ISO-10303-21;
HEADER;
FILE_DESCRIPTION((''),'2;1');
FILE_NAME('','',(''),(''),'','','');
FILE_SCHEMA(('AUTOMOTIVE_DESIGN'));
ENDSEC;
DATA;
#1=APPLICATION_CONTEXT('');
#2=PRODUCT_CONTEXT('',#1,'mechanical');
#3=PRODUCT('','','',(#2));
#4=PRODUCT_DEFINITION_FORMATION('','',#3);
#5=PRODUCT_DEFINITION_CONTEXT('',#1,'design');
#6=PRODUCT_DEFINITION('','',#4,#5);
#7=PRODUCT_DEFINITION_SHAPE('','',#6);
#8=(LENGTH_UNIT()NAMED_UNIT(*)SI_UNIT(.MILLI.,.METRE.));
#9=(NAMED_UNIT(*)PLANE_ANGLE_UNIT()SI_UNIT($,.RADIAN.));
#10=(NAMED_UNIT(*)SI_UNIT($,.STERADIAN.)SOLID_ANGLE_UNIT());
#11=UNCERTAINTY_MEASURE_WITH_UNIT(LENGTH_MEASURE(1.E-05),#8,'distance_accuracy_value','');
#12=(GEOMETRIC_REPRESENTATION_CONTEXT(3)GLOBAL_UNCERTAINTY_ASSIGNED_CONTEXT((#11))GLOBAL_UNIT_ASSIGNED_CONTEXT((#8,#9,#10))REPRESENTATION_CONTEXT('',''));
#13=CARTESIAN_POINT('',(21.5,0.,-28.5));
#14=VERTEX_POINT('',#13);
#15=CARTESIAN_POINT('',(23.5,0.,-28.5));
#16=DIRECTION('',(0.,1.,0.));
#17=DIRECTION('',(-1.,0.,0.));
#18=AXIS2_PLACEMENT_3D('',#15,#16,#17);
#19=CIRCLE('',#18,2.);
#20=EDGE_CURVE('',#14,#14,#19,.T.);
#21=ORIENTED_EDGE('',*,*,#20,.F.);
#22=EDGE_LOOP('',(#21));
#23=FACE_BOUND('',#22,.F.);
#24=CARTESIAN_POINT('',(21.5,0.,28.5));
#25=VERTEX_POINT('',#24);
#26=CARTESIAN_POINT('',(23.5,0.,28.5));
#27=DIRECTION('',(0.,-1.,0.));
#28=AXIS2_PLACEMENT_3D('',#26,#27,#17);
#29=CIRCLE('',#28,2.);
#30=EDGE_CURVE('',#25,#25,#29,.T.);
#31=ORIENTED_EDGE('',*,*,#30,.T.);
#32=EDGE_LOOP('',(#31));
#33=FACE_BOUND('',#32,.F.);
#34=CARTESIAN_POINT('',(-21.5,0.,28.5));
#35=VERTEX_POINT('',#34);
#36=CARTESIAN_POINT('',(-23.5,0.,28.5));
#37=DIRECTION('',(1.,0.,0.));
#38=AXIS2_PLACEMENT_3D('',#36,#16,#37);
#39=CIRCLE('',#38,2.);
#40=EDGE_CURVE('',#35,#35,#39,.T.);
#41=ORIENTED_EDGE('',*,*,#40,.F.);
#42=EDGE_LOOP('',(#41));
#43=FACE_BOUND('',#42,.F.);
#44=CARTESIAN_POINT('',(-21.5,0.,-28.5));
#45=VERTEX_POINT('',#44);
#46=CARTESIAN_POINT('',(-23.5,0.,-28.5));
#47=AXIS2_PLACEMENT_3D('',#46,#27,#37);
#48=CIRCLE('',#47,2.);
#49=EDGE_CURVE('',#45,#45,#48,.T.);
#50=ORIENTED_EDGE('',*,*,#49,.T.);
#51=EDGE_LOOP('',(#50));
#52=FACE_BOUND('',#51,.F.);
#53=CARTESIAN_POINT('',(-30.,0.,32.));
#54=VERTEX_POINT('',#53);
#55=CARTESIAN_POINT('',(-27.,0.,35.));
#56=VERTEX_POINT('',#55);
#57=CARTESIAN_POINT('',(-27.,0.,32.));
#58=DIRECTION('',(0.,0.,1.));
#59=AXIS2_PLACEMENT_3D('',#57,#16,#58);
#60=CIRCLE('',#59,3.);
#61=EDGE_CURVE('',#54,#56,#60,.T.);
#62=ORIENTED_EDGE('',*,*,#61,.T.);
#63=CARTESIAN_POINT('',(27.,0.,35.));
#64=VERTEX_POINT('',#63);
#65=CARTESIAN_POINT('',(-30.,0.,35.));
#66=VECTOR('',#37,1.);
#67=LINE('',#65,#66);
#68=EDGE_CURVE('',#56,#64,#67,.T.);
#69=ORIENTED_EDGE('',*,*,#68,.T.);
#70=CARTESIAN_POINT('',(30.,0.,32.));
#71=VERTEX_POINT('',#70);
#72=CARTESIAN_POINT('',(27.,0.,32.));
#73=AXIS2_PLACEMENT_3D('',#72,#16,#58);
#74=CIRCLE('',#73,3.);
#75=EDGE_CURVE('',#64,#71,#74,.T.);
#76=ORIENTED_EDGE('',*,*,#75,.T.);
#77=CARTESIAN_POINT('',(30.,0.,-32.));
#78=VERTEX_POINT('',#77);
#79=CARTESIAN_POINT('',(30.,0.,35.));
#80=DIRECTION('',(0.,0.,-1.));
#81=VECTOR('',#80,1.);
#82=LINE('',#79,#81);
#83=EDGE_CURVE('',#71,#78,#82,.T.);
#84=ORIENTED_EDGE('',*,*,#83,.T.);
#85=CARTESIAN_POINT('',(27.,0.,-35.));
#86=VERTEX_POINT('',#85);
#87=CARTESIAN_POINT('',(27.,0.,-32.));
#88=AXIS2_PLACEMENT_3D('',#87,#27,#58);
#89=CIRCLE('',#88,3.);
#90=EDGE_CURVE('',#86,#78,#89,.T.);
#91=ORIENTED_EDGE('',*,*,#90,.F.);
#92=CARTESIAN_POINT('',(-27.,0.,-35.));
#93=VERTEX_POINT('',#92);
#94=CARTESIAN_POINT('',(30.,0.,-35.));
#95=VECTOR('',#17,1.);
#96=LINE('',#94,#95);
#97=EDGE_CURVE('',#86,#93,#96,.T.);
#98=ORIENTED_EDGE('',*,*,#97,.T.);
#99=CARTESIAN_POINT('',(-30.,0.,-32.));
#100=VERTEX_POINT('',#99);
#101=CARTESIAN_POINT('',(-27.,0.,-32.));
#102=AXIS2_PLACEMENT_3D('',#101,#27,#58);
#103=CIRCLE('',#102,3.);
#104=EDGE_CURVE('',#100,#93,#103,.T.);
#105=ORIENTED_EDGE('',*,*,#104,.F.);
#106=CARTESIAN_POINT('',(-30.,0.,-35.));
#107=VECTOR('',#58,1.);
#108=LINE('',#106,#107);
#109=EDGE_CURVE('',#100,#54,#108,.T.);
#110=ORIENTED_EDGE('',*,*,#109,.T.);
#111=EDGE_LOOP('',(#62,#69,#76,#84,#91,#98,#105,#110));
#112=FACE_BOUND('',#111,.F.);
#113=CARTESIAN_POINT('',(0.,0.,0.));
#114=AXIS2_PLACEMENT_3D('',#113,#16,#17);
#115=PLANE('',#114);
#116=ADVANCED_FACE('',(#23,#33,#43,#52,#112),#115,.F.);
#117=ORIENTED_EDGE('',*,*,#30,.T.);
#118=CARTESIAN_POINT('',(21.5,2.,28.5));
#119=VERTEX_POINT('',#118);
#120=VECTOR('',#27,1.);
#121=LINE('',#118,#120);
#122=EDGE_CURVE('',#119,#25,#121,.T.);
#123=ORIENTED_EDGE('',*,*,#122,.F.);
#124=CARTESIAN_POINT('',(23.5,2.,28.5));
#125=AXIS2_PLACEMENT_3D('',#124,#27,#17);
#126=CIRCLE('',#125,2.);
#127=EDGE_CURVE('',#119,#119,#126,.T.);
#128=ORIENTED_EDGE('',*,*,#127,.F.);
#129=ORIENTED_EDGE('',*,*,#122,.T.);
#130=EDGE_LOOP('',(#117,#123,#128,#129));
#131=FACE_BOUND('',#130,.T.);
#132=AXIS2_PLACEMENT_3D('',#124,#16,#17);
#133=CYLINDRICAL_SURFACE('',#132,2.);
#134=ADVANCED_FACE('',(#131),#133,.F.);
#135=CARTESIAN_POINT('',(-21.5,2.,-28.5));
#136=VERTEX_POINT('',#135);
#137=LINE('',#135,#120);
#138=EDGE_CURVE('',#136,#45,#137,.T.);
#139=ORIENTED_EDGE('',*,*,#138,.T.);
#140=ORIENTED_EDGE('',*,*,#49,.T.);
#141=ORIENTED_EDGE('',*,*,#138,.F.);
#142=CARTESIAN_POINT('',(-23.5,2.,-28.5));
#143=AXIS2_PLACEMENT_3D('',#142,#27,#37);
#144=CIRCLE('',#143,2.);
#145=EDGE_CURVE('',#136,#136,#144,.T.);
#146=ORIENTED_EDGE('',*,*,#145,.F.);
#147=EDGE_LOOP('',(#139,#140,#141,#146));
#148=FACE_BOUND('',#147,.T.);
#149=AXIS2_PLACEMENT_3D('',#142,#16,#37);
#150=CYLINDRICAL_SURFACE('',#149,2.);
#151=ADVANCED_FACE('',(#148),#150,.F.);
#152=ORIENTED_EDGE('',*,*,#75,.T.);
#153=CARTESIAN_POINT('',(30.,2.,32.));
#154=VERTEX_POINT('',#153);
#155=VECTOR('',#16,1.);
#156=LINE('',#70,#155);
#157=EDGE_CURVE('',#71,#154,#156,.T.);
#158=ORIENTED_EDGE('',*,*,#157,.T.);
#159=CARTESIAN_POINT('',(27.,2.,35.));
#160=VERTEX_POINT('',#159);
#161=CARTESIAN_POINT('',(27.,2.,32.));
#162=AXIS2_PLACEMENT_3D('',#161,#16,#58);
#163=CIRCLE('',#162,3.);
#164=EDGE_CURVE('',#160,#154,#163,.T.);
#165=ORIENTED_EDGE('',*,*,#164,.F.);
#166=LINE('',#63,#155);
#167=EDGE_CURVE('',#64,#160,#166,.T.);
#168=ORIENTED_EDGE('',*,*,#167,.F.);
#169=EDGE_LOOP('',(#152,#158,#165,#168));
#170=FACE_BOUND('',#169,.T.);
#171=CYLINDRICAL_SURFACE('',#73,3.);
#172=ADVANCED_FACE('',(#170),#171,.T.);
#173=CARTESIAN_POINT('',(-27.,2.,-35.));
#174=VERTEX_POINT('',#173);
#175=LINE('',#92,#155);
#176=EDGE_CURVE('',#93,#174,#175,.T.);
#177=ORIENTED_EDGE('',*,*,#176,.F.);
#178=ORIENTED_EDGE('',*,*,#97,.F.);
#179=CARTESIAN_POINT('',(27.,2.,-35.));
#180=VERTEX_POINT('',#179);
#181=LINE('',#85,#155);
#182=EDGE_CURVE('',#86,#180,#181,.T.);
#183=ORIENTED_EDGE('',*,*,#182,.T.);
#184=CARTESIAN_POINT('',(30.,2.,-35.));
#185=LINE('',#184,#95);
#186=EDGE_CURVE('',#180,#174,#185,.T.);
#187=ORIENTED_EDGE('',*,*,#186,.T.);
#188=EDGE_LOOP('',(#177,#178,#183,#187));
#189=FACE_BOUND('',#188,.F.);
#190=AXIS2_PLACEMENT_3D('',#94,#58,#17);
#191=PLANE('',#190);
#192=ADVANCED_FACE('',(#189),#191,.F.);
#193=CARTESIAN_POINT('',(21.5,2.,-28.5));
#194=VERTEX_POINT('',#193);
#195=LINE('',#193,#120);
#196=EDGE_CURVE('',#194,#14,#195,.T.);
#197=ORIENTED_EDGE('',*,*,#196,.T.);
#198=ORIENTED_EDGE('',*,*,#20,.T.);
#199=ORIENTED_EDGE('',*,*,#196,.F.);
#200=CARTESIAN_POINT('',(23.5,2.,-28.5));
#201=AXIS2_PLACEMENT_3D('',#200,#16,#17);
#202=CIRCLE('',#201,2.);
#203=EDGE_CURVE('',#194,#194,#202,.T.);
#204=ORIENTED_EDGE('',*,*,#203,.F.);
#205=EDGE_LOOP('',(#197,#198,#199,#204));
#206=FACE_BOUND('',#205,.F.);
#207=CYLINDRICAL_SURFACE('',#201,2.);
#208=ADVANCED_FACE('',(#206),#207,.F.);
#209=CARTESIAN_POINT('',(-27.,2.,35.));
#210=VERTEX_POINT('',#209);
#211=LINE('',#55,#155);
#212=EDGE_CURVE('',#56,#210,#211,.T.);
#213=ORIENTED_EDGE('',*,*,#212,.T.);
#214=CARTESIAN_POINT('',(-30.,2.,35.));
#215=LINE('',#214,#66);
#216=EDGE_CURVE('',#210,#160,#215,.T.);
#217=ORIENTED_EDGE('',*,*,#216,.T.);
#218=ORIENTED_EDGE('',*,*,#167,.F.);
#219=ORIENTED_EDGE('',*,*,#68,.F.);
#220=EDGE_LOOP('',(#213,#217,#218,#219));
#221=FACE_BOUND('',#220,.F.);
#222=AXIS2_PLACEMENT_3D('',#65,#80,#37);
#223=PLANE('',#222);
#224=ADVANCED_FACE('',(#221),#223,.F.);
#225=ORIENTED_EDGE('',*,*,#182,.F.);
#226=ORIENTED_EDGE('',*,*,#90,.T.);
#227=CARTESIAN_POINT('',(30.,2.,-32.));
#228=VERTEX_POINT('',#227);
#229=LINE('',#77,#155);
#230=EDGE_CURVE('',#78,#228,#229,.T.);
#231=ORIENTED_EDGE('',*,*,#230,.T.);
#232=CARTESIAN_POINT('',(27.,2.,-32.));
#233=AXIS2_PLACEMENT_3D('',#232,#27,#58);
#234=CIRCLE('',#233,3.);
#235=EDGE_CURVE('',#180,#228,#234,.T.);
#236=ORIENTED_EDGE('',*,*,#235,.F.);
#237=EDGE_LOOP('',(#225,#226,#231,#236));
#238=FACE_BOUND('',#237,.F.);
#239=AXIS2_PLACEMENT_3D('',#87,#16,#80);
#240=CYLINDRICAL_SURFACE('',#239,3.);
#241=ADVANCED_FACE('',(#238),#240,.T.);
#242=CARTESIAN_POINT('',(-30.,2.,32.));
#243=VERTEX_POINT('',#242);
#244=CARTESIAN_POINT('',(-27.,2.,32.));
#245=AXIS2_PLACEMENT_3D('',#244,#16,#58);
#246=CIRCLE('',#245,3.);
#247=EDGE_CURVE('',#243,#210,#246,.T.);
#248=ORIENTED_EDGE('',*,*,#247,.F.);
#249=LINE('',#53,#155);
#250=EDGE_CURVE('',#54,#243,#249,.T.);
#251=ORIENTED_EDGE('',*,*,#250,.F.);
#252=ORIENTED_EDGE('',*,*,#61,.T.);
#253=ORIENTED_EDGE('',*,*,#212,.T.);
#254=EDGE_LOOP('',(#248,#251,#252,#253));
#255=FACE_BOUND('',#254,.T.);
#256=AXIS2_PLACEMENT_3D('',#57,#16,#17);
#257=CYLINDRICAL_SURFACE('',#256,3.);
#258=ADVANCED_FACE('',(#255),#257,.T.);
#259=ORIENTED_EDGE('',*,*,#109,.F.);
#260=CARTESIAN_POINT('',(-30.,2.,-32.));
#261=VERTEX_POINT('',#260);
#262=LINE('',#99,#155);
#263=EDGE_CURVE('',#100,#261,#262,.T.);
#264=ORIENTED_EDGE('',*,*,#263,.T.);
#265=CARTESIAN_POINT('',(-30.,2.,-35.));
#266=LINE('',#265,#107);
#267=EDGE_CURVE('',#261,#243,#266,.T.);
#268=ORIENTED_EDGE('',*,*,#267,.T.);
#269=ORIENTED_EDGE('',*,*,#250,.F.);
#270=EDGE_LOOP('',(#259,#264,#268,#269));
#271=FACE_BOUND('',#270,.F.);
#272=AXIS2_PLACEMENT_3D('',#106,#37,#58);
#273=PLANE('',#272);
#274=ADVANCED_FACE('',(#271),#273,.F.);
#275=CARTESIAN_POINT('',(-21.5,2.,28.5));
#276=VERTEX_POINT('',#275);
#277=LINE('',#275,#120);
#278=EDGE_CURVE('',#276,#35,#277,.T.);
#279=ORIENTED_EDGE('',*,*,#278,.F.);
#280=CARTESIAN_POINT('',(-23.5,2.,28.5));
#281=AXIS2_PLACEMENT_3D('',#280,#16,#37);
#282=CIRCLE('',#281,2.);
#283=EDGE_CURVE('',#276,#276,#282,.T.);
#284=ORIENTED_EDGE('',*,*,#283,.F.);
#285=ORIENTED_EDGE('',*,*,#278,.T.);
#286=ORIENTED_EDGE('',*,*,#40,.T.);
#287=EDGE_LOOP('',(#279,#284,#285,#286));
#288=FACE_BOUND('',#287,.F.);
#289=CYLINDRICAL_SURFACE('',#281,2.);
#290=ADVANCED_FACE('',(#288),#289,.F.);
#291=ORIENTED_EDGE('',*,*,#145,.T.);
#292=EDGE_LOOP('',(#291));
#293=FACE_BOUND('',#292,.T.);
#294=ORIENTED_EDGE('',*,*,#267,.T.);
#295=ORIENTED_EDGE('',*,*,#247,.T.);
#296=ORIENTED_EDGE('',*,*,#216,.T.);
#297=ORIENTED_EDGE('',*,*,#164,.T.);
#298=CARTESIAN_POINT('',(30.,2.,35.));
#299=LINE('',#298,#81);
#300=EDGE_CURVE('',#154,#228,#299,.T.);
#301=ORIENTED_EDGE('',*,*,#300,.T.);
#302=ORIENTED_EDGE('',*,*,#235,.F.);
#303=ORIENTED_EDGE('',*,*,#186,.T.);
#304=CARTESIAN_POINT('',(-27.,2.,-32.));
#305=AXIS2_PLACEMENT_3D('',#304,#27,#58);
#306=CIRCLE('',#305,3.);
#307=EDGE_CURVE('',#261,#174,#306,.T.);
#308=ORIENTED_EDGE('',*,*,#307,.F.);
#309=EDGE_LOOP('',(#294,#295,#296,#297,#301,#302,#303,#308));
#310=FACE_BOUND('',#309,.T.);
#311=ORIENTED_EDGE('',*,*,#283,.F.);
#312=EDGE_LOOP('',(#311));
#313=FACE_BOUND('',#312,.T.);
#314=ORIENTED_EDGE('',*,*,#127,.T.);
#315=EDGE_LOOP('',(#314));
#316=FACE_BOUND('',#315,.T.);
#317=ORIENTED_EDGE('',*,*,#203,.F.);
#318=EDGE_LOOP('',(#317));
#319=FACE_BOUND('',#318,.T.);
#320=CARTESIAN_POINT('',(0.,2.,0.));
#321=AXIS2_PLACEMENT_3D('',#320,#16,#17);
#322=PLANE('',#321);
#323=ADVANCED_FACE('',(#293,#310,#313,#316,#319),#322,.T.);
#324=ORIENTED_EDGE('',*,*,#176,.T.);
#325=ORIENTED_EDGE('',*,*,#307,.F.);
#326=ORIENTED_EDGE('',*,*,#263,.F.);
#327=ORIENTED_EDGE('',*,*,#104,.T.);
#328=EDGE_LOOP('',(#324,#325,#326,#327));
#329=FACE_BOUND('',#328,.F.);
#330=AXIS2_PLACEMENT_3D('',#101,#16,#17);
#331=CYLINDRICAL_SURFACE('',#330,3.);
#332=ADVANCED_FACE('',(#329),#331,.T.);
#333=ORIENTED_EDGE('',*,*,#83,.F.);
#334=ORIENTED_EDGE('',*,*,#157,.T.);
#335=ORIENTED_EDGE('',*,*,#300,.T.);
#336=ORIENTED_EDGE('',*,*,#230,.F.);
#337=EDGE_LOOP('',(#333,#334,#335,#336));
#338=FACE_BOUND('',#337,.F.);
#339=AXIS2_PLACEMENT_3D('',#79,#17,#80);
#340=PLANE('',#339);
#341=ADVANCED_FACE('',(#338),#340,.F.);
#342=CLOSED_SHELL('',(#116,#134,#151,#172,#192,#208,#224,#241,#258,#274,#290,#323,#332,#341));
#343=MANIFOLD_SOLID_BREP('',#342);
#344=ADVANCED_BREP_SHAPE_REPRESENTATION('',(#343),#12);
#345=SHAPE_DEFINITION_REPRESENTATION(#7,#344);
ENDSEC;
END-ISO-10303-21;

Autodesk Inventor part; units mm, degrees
ref_plane "YZ Plane" through (0, 0, 0) normal (1, 0, 0) x (0, 1, 0)
ref_plane "XZ Plane" through (0, 0, 0) normal (0, 1, 0) x (-1, 0, 0)
ref_plane "XY Plane" through (0, 0, 0) normal (0, 0, 1) x (1, 0, 0)
sketch "Sketch1" plane through (0, 0, 0) normal (0, 1, 0) x (-1, 0, 0)
  line L0 (30, 35) -> (-30, 35)
  line L1 (-30, 35) -> (-30, -35)
  line L2 (-30, -35) -> (30, -35)
  line L3 (30, -35) -> (30, 35)
  line L4 (30, 35) -> (-30, -35) construction
  line L5 (-30, 35) -> (30, -35) construction
  point P0 (0, 0)
  dimension "d0" = 60
  dimension "d1" = 70
extrude "Extrusion1" add sketch "Sketch1" along normal blind 2
sketch "Sketch2" plane through (0, 2, 0) normal (0, 1, 0) x (1, 0, 0)
  circle A0 centre (-23.5, -28.5) radius 2
  line L0 (-30, 35) -> (-30, -35) projected
  line L1 (-30, -35) -> (30, -35) projected
  point P0 (0, 0)
  dimension "d4" = 4
  dimension "d5" = 6.5
  dimension "d6" = 6.5
extrude "Extrusion2" cut sketch "Sketch2" against normal blind 2
mirror "Mirror1" about plane through (0, 0, 0) normal (0, 0, 1) of "Extrusion2"
mirror "Mirror2" about plane through (0, 0, 0) normal (1, 0, 0) of "Extrusion2", "Mirror1"
fillet "Fillet1" radius 3 4 edges at (-30, 1, 35) (-30, 1, -35) (30, 1, -35) (30, 1, 35)
properties part number "Kraicka_senzory_vrchnak"
